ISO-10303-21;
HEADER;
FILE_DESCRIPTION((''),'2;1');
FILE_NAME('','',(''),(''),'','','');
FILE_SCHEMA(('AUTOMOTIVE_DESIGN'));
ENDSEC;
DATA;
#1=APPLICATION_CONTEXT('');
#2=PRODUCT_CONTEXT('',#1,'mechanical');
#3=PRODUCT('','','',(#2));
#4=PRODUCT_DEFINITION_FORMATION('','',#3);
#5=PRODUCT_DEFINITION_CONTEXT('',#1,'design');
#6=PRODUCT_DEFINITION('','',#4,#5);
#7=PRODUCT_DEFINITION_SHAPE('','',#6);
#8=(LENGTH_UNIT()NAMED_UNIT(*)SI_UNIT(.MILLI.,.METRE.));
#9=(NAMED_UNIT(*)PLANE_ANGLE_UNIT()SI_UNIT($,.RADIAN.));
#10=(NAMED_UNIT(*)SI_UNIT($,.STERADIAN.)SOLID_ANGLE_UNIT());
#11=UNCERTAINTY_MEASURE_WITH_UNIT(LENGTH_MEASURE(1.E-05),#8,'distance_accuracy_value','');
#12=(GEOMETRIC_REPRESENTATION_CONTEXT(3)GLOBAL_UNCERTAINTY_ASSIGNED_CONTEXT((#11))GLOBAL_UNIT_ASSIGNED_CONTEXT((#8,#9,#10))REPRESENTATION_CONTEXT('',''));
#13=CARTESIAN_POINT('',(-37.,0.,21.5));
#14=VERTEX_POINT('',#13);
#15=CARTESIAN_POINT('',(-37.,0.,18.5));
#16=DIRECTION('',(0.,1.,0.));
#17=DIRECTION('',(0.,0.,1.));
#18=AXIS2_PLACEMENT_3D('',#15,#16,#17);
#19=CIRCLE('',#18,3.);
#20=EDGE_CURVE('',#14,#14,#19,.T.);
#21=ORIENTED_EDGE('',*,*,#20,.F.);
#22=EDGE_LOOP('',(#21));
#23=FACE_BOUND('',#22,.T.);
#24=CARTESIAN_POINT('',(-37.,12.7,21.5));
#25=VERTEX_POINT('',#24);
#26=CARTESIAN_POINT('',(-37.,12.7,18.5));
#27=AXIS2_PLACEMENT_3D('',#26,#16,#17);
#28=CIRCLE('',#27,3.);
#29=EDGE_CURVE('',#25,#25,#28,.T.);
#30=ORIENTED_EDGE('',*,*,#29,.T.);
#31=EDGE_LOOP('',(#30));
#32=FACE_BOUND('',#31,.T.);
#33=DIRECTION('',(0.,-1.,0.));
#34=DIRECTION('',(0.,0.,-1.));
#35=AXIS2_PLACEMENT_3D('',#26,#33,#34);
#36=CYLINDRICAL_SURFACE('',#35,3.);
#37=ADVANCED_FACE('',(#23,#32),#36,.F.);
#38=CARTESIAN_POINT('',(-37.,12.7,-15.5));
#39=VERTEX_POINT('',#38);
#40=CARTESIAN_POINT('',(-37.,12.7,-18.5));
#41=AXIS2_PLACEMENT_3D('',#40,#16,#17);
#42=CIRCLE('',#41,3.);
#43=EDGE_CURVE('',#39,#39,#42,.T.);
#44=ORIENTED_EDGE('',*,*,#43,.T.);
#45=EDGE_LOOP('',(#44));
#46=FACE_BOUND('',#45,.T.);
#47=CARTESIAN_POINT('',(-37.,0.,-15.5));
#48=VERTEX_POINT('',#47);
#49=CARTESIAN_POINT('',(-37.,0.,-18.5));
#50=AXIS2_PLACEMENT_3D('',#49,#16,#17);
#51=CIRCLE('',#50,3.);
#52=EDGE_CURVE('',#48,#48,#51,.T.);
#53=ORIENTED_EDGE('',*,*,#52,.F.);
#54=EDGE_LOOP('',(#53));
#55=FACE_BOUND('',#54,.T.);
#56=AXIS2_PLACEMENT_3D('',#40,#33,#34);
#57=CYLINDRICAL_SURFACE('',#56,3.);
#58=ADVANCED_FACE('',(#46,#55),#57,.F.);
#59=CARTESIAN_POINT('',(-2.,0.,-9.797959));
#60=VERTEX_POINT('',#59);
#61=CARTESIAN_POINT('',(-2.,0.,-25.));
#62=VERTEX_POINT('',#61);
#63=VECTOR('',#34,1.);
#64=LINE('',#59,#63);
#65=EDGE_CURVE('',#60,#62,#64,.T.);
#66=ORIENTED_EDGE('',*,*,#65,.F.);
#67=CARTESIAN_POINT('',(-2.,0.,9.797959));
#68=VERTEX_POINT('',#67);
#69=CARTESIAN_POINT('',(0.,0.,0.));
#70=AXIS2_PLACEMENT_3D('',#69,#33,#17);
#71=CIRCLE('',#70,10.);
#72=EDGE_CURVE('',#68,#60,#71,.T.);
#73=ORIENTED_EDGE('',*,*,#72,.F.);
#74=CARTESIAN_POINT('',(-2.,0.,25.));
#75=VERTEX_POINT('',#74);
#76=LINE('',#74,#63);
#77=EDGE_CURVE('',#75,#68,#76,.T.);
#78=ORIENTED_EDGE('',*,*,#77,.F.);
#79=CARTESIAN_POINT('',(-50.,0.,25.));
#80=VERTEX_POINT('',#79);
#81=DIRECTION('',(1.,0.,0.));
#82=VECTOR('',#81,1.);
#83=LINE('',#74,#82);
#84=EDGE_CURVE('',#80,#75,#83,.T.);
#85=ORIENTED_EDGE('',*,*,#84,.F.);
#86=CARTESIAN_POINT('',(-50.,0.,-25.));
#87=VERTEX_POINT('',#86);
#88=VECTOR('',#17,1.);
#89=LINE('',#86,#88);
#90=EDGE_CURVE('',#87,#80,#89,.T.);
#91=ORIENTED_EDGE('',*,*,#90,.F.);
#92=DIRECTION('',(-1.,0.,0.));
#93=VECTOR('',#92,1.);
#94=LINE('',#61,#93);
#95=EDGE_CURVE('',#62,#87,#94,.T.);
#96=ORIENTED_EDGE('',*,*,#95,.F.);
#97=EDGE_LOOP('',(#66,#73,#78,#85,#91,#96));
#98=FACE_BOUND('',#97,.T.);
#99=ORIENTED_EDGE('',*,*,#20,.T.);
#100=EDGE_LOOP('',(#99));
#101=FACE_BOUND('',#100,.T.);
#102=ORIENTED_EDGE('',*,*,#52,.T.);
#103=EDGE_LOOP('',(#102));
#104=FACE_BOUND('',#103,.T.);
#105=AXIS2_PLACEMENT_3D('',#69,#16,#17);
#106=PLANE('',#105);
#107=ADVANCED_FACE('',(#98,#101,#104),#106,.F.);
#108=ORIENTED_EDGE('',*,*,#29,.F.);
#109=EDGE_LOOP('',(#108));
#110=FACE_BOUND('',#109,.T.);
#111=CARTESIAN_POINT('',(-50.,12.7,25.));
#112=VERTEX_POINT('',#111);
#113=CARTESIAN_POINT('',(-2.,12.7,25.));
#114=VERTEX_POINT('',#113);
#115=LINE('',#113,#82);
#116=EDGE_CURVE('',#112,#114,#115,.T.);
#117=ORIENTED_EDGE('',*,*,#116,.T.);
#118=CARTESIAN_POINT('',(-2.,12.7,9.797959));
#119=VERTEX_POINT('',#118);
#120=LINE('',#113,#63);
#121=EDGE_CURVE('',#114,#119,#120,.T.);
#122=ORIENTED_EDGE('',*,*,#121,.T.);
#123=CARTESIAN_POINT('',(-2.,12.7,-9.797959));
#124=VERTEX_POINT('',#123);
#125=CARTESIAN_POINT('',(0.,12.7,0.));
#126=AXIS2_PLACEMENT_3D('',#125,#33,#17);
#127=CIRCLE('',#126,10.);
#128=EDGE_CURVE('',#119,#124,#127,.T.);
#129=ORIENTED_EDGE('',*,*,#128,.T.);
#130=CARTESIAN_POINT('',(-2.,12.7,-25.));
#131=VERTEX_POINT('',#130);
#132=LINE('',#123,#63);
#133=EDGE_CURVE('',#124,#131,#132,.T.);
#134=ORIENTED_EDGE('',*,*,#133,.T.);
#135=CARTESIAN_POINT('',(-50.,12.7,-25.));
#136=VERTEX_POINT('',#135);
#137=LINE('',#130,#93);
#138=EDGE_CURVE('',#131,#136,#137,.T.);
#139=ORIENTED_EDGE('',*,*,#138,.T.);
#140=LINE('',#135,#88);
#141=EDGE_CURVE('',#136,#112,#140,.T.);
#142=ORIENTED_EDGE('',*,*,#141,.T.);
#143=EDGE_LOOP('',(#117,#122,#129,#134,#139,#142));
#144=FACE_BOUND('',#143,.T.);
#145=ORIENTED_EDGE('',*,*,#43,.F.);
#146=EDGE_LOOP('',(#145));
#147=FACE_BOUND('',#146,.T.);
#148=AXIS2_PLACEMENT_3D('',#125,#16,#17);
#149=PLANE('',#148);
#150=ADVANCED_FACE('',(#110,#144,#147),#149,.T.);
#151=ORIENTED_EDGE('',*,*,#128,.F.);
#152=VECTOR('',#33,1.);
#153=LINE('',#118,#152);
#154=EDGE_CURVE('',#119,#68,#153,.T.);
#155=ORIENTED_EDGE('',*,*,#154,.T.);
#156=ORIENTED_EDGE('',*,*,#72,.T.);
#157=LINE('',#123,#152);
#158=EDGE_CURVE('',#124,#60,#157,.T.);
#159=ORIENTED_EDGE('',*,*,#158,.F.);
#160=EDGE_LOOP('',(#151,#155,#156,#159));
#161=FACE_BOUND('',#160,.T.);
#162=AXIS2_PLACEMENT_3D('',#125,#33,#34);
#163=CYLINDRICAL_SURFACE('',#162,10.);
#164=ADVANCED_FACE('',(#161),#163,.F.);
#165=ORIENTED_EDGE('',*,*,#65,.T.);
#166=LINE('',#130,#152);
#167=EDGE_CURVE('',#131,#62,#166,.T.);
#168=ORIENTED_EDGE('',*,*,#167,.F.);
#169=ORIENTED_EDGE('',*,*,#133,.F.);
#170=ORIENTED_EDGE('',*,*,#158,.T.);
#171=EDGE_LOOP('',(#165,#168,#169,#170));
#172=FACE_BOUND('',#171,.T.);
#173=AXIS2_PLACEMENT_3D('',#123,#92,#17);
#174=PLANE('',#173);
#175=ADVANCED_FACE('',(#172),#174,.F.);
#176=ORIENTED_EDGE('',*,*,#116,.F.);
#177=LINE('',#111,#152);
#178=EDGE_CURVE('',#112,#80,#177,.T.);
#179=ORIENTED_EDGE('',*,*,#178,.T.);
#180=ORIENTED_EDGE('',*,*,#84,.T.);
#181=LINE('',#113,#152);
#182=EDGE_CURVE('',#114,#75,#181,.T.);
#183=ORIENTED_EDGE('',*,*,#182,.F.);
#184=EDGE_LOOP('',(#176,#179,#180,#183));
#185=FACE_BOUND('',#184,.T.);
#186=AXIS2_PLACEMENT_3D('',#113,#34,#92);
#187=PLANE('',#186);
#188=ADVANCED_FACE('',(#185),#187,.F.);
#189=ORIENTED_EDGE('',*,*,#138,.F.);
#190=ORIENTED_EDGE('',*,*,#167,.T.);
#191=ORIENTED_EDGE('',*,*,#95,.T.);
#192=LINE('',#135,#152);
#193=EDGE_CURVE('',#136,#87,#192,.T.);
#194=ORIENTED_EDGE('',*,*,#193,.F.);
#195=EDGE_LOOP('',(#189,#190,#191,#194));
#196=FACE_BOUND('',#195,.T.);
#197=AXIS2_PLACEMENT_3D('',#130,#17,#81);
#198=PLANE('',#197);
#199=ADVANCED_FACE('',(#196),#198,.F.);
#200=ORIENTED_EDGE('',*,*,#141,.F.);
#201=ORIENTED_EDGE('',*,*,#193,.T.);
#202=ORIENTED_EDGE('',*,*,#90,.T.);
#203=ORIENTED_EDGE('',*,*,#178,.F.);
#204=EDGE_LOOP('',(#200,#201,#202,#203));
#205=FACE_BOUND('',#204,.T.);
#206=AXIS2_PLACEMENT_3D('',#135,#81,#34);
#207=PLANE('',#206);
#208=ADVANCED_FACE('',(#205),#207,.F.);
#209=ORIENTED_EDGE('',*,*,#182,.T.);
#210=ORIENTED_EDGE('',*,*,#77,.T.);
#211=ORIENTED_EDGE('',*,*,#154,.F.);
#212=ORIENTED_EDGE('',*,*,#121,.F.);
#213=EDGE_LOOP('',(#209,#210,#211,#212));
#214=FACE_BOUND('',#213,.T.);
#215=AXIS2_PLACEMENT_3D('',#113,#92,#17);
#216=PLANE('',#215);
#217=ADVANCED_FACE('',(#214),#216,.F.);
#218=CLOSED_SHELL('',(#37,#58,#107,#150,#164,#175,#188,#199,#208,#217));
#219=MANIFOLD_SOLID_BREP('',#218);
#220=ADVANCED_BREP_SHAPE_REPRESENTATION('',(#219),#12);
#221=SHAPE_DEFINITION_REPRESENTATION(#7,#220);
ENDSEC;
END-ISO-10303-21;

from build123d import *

# Parameters (mm, degrees)
CROQUIS2_R              = 3
SALIENTE_EXTRUIR1_DEPTH = 12.7


with BuildPart() as part:
    # Croquis2 → Saliente-Extruir1 (new body)
    with BuildSketch(Plane(origin=(0, 0, 0), x_dir=(1, 0, 0), z_dir=(0, 1, 0))):
        with BuildLine():
            Line((-2, 25), (-50, 25))
            Line((-50, 25), (-50, -25))
            Line((-50, -25), (-2, -25))
            Line((-2, -25), (-2, -9.797958971))
            ThreePointArc((-2, -9.797958971), (-10, 0), (-2, 9.797958971))
            Line((-2, 9.797958971), (-2, 25))
        make_face()
        with Locations(Location((-37, -18.5, 0), (0, 0, 270))):
            Circle(CROQUIS2_R, mode=Mode.SUBTRACT)
        with Locations(Location((-37, 18.5, 0), (0, 0, 270))):
            Circle(CROQUIS2_R, mode=Mode.SUBTRACT)
    extrude(amount=SALIENTE_EXTRUIR1_DEPTH)


solid = part.part
